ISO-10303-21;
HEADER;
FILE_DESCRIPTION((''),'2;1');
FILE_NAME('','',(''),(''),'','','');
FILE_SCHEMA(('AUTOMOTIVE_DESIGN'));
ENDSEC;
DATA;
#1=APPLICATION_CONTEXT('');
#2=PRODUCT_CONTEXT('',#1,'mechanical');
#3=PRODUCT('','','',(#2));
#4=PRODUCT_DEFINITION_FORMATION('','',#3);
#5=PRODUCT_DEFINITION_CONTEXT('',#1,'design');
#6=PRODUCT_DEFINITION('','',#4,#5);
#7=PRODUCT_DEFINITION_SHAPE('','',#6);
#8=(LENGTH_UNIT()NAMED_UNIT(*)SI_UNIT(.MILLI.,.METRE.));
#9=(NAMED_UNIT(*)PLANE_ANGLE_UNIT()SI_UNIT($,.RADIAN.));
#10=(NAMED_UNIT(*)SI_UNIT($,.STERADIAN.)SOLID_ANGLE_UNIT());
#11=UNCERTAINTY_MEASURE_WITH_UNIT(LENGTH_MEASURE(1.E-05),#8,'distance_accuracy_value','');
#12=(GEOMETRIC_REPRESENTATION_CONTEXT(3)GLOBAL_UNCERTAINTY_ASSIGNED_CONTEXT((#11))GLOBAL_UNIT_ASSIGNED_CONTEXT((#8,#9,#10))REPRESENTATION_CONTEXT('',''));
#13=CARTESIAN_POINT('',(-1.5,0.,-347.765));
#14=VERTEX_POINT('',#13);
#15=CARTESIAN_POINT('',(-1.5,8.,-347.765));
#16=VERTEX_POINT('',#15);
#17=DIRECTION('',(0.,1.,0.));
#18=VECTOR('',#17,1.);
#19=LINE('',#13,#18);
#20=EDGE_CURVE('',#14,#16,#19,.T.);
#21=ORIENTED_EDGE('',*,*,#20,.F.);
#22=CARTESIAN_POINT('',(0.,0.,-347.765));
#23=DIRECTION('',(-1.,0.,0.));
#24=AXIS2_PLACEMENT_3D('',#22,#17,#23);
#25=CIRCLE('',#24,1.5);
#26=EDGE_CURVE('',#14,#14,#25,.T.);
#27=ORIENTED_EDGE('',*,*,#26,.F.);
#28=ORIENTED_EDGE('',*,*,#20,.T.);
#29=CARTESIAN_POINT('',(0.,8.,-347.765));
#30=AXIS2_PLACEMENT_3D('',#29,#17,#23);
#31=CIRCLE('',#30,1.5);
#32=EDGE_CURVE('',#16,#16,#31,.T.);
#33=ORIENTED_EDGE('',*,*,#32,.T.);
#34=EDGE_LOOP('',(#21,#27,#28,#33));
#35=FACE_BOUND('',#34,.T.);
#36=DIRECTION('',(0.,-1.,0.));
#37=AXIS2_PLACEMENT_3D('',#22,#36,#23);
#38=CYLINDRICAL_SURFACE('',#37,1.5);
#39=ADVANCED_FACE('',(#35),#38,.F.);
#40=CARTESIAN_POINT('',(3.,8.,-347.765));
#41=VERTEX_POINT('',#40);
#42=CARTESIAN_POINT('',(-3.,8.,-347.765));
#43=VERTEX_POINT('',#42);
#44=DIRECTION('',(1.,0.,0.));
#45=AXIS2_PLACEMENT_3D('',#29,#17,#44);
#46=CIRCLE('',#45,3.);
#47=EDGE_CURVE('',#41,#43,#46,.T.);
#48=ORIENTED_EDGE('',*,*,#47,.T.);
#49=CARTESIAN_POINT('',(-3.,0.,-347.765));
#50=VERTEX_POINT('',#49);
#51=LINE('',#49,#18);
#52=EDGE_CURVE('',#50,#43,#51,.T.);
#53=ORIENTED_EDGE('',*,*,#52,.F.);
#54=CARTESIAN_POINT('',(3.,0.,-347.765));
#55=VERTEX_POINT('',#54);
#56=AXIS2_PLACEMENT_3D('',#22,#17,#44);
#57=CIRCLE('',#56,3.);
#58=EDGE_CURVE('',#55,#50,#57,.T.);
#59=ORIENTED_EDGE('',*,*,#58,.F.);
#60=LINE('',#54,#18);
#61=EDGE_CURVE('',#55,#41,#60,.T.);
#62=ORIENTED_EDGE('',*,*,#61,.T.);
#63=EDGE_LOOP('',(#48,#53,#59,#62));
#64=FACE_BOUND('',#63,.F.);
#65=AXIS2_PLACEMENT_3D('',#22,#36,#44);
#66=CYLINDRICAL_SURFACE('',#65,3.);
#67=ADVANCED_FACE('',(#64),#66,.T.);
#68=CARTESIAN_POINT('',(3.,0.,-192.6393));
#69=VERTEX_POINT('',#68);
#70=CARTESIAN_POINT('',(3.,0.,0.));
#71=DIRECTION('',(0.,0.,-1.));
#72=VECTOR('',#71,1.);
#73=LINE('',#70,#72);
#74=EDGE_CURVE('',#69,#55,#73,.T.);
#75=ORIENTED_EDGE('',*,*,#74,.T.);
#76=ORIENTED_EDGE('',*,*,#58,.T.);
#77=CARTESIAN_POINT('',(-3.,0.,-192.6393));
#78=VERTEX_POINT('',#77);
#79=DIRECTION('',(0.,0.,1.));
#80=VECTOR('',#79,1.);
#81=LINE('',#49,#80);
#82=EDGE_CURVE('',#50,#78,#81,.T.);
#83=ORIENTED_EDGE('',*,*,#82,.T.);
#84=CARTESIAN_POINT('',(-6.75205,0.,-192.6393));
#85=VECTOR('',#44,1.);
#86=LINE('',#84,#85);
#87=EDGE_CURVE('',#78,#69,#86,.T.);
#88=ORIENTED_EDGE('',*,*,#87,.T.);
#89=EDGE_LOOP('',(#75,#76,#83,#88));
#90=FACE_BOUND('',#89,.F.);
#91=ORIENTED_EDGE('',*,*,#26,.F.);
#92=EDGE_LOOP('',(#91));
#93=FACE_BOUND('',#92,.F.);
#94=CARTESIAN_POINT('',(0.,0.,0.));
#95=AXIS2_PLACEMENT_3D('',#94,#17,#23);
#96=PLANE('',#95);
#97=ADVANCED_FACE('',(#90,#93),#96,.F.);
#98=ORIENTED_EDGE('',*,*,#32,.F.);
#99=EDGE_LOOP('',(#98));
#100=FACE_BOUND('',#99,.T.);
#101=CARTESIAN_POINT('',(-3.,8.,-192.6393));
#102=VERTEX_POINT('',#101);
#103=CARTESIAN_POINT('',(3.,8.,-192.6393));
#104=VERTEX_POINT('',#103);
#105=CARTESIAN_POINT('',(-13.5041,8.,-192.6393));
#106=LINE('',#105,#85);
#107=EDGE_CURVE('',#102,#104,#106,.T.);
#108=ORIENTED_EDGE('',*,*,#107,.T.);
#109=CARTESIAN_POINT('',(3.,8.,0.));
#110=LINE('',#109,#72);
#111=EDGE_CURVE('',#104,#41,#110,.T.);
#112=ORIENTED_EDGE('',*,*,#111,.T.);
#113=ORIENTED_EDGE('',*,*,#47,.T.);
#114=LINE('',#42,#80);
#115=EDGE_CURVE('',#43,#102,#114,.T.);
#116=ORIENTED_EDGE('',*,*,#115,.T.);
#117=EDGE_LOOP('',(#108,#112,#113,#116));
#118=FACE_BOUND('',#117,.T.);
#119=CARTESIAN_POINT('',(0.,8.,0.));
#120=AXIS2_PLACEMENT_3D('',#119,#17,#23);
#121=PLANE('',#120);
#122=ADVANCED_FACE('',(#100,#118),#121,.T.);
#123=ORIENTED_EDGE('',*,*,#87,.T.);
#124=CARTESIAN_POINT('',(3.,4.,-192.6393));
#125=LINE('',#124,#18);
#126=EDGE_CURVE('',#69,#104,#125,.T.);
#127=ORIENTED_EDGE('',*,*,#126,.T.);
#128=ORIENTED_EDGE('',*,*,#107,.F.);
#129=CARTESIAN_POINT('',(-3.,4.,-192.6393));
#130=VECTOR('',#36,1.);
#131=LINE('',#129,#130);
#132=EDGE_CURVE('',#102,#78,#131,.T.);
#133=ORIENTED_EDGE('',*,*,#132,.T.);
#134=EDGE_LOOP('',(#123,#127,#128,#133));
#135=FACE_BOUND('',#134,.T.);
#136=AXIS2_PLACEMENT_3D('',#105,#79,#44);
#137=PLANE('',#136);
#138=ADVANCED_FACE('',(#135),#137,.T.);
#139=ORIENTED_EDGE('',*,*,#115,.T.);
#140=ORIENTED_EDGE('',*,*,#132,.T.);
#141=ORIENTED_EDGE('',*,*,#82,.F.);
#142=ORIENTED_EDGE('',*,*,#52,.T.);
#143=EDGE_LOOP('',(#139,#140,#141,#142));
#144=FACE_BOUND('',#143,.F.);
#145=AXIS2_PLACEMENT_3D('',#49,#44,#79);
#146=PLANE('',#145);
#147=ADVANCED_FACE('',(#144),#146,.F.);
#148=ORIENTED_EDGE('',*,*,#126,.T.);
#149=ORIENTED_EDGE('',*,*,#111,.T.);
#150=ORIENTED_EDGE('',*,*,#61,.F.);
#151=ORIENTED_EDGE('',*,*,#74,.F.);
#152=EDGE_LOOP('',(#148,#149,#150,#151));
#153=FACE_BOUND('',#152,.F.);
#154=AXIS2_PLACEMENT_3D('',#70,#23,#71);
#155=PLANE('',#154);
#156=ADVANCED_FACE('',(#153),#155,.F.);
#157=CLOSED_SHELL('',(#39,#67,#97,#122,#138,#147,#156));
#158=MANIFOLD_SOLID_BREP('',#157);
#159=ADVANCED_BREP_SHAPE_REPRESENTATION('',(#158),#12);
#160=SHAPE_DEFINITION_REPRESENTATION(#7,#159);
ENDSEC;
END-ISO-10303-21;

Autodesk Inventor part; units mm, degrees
ref_plane "YZ Plane" through (0, 0, 0) normal (1, 0, 0) x (0, 1, 0)
ref_plane "XZ Plane" through (0, 0, 0) normal (0, 1, 0) x (-1, 0, 0)
ref_plane "XY Plane" through (0, 0, 0) normal (0, 0, 1) x (1, 0, 0)
sketch "Sketch1" plane through (0, 0, 0) normal (0, 1, 0) x (-1, 0, 0)
  line L0 (0, 0) -> (0, -347.765) construction
  line L1 (-3, 0) -> (-3, -347.765)
  line L2 (3, -347.765) -> (3, 0)
  arc A0 (3, 0) -> (-3, 0) centre (0, 0) ccw
  arc A1 (-3, -347.765) -> (3, -347.765) centre (0, -347.765) ccw
  circle A2 centre (0, 0) radius 1.5
  circle A3 centre (0, -347.765) radius 1.5
  circle A4 centre (0, -131.233) radius 1.5
  circle A5 centre (0, -37.934) radius 1.5
  point P0 (0, -173.8825)
  dimension "d0" = 347.765
  dimension "d1" = 6
  dimension "d2" = 3
  dimension "d3" = 3
  dimension "d6" = 3
  dimension "d7" = 131.233
  dimension "d8" = 3
  dimension "d9" = 37.934
extrude "Extrusion1" add sketch "Sketch1" along normal blind 8
sketch "Sketch2" plane through (0, 8, 0) normal (0, 1, 0) x (1, 0, 0)
  arc A0 (3, 347.765) -> (-3, 347.765) centre (0, 347.765) ccw projected
  line L0 (-3, 347.765) -> (-3, 0) projected
  arc A1 (-3, 0) -> (3, 0) centre (0, 0) ccw projected
  line L1 (3, 0) -> (3, 347.765) projected
  circle A2 centre (0, 131.233) radius 1.5 projected
  circle A3 centre (0, 37.934) radius 1.5 projected
  circle A4 centre (0, 347.765) radius 1.5 projected
  circle A5 centre (0, 0) radius 1.5 projected
sketch "Sketch3" plane through (0, 8, 0) normal (0, 1, 0) x (1, 0, 0)
  line L0 (-13.5041, 192.6393) -> (33.2898, 192.6393)
  line L1 (33.2898, 192.6393) -> (33.2898, -23.3325)
  line L2 (33.2898, -23.3325) -> (-13.5041, -23.3325)
  line L3 (-13.5041, -23.3325) -> (-13.5041, 192.6393)
  line L4 (-64.7974, 383.8644) -> (82.7834, 383.8644)
  line L5 (82.7834, 383.8644) -> (82.7834, -81.8249)
  line L6 (82.7834, -81.8249) -> (-64.7974, -81.8249)
  line L7 (-64.7974, -81.8249) -> (-64.7974, 383.8644)
  point P0 (0, 0)
extrude "Extrusion2" cut sketch "Sketch3" against normal blind 10 contours L0 L1 L2 L3
sketch "Sketch4" plane through (0, 8, 0) normal (0, 1, 0) x (1, 0, 0)
  line L0 (-3, 192.6393) -> (3, 192.6393) projected
  line L1 (3, 192.6393) -> (3, 347.765) projected
  arc A0 (3, 347.765) -> (-3, 347.765) centre (0, 347.765) ccw projected
  line L2 (-3, 347.765) -> (-3, 192.6393) projected
  circle A1 centre (0, 347.765) radius 1.5 projected
  point P0 (0, 0)
properties part number "Part_10_p1"
